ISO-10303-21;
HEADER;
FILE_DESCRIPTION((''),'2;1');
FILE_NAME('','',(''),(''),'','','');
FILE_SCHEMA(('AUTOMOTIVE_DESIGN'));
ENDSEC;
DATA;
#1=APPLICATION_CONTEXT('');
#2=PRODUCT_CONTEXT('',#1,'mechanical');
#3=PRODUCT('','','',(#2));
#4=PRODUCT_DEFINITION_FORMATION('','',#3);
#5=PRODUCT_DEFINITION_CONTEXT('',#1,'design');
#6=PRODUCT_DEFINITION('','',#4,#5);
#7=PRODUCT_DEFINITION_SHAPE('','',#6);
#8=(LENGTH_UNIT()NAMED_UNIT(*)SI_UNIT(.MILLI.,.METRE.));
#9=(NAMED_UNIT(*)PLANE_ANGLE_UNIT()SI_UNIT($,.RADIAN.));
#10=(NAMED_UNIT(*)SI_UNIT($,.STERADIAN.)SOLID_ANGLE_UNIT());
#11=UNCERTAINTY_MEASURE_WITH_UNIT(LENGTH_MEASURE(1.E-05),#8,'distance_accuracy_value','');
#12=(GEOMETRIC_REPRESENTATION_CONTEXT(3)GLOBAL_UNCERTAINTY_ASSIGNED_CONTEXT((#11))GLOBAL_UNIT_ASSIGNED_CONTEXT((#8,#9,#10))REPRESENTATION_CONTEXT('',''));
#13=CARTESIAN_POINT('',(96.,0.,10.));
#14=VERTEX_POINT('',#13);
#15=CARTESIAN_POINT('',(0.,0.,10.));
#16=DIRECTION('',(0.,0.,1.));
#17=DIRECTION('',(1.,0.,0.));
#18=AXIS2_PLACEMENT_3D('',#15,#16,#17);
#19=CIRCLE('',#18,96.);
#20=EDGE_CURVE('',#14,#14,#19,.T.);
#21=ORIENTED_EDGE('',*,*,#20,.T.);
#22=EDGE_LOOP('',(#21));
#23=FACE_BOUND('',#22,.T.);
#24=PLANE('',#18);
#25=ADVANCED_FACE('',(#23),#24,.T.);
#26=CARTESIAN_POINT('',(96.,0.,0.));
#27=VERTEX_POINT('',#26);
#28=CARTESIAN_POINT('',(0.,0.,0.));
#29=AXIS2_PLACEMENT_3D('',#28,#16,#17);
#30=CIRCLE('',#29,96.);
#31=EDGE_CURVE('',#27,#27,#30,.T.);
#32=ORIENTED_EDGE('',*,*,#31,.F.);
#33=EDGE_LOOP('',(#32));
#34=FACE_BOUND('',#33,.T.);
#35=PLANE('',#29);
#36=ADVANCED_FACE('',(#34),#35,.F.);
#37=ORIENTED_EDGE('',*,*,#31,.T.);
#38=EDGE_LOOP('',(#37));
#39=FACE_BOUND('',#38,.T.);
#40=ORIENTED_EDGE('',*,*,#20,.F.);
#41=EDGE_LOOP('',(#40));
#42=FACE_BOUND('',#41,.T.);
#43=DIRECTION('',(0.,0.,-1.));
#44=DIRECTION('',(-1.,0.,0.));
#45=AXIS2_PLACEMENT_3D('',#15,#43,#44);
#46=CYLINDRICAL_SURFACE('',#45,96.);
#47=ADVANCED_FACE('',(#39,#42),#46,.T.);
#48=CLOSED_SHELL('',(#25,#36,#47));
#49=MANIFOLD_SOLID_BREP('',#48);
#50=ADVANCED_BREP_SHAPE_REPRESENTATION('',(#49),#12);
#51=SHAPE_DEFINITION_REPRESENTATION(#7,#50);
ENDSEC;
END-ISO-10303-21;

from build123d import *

# Parameters (mm, degrees)
ESQUISSE1_R        = 96
BOSS_EXTRU_1_DEPTH = 10


with BuildPart() as part:
    # Esquisse1 → Boss.-Extru.1 (new body)
    with BuildSketch(Plane.XY):
        Circle(ESQUISSE1_R)
    extrude(amount=BOSS_EXTRU_1_DEPTH)


solid = part.part
